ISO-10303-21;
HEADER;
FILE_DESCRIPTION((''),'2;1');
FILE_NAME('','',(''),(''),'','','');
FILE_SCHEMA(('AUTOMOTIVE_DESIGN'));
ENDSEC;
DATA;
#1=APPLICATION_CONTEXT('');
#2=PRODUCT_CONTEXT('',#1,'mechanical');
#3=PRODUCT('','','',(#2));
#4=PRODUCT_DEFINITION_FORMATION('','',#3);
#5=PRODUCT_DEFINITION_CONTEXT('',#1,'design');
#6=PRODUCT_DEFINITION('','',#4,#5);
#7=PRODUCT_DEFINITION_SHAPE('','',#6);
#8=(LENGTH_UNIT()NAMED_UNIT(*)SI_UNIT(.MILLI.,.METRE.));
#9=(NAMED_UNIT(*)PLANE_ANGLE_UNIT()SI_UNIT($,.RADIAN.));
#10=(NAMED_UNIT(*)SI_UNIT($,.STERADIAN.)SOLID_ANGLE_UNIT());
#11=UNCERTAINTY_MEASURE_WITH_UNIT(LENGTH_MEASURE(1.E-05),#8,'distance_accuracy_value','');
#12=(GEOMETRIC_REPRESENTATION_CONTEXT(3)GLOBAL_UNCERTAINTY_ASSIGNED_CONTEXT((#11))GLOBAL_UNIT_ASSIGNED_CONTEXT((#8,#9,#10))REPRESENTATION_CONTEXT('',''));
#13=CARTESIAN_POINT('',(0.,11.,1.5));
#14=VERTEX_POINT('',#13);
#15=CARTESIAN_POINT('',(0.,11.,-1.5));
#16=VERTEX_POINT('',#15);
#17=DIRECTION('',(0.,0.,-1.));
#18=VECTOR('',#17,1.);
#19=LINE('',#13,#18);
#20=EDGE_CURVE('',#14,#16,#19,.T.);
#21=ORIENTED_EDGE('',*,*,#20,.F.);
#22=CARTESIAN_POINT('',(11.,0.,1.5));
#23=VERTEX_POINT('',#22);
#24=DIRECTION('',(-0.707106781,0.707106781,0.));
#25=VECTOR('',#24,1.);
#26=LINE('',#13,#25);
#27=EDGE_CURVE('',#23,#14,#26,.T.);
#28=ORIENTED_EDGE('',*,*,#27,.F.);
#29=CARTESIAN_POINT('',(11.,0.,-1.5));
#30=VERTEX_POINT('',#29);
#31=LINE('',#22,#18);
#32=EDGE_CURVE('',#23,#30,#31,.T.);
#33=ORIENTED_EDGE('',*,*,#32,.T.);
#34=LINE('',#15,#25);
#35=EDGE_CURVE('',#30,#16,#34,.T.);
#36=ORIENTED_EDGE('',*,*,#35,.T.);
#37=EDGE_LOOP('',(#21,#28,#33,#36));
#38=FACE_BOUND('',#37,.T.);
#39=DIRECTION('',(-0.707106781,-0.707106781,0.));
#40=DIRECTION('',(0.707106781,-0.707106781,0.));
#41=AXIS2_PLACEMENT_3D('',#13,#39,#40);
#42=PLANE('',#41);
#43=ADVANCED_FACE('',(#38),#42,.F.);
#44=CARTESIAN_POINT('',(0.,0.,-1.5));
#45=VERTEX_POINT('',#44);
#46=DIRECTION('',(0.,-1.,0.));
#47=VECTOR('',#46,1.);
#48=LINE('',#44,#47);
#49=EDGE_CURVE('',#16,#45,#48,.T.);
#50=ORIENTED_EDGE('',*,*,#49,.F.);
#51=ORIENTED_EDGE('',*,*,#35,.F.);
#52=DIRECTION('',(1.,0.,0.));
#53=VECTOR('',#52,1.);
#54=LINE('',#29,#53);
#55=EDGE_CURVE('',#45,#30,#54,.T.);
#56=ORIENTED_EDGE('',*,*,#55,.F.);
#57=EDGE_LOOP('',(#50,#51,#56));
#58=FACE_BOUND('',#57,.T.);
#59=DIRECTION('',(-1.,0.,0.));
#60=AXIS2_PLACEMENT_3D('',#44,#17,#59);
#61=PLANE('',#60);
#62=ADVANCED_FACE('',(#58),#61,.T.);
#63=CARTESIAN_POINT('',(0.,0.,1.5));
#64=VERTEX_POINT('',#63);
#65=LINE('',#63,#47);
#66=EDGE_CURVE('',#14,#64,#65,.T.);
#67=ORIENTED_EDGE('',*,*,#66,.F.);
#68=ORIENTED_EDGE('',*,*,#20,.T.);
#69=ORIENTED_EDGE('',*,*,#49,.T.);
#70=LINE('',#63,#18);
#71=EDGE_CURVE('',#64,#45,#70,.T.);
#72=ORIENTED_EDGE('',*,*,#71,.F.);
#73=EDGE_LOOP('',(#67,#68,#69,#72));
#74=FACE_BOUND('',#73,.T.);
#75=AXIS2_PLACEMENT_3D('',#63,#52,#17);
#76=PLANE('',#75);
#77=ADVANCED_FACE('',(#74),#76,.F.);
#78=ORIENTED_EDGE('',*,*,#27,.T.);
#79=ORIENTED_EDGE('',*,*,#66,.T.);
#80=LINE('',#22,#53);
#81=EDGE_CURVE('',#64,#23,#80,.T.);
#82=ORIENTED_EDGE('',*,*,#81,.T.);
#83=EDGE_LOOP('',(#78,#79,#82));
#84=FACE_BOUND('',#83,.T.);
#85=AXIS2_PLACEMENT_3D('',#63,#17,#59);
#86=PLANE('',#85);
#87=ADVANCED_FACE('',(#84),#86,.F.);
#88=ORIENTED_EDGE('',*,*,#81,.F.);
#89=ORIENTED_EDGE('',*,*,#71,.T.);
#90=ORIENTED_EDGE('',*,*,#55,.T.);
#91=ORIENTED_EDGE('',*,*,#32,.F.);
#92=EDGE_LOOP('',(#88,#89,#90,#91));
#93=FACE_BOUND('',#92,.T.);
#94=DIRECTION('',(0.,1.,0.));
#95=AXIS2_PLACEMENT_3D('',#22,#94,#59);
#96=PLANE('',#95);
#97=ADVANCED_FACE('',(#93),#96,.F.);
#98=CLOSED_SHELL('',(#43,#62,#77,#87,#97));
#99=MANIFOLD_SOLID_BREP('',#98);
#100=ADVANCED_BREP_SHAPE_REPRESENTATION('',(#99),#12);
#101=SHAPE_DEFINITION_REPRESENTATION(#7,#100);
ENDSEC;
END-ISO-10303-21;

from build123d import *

# Parameters (mm, degrees)
SALIENTE_EXTRUIR1_DEPTH = 1.5


with BuildPart() as part:
    # Croquis1 → Saliente-Extruir1 (new, symmetric)
    with BuildSketch(Plane.XY):
        Polygon((0, 0), (0, 11), (11, 0), align=None)
    extrude(amount=SALIENTE_EXTRUIR1_DEPTH, both=True)


solid = part.part
